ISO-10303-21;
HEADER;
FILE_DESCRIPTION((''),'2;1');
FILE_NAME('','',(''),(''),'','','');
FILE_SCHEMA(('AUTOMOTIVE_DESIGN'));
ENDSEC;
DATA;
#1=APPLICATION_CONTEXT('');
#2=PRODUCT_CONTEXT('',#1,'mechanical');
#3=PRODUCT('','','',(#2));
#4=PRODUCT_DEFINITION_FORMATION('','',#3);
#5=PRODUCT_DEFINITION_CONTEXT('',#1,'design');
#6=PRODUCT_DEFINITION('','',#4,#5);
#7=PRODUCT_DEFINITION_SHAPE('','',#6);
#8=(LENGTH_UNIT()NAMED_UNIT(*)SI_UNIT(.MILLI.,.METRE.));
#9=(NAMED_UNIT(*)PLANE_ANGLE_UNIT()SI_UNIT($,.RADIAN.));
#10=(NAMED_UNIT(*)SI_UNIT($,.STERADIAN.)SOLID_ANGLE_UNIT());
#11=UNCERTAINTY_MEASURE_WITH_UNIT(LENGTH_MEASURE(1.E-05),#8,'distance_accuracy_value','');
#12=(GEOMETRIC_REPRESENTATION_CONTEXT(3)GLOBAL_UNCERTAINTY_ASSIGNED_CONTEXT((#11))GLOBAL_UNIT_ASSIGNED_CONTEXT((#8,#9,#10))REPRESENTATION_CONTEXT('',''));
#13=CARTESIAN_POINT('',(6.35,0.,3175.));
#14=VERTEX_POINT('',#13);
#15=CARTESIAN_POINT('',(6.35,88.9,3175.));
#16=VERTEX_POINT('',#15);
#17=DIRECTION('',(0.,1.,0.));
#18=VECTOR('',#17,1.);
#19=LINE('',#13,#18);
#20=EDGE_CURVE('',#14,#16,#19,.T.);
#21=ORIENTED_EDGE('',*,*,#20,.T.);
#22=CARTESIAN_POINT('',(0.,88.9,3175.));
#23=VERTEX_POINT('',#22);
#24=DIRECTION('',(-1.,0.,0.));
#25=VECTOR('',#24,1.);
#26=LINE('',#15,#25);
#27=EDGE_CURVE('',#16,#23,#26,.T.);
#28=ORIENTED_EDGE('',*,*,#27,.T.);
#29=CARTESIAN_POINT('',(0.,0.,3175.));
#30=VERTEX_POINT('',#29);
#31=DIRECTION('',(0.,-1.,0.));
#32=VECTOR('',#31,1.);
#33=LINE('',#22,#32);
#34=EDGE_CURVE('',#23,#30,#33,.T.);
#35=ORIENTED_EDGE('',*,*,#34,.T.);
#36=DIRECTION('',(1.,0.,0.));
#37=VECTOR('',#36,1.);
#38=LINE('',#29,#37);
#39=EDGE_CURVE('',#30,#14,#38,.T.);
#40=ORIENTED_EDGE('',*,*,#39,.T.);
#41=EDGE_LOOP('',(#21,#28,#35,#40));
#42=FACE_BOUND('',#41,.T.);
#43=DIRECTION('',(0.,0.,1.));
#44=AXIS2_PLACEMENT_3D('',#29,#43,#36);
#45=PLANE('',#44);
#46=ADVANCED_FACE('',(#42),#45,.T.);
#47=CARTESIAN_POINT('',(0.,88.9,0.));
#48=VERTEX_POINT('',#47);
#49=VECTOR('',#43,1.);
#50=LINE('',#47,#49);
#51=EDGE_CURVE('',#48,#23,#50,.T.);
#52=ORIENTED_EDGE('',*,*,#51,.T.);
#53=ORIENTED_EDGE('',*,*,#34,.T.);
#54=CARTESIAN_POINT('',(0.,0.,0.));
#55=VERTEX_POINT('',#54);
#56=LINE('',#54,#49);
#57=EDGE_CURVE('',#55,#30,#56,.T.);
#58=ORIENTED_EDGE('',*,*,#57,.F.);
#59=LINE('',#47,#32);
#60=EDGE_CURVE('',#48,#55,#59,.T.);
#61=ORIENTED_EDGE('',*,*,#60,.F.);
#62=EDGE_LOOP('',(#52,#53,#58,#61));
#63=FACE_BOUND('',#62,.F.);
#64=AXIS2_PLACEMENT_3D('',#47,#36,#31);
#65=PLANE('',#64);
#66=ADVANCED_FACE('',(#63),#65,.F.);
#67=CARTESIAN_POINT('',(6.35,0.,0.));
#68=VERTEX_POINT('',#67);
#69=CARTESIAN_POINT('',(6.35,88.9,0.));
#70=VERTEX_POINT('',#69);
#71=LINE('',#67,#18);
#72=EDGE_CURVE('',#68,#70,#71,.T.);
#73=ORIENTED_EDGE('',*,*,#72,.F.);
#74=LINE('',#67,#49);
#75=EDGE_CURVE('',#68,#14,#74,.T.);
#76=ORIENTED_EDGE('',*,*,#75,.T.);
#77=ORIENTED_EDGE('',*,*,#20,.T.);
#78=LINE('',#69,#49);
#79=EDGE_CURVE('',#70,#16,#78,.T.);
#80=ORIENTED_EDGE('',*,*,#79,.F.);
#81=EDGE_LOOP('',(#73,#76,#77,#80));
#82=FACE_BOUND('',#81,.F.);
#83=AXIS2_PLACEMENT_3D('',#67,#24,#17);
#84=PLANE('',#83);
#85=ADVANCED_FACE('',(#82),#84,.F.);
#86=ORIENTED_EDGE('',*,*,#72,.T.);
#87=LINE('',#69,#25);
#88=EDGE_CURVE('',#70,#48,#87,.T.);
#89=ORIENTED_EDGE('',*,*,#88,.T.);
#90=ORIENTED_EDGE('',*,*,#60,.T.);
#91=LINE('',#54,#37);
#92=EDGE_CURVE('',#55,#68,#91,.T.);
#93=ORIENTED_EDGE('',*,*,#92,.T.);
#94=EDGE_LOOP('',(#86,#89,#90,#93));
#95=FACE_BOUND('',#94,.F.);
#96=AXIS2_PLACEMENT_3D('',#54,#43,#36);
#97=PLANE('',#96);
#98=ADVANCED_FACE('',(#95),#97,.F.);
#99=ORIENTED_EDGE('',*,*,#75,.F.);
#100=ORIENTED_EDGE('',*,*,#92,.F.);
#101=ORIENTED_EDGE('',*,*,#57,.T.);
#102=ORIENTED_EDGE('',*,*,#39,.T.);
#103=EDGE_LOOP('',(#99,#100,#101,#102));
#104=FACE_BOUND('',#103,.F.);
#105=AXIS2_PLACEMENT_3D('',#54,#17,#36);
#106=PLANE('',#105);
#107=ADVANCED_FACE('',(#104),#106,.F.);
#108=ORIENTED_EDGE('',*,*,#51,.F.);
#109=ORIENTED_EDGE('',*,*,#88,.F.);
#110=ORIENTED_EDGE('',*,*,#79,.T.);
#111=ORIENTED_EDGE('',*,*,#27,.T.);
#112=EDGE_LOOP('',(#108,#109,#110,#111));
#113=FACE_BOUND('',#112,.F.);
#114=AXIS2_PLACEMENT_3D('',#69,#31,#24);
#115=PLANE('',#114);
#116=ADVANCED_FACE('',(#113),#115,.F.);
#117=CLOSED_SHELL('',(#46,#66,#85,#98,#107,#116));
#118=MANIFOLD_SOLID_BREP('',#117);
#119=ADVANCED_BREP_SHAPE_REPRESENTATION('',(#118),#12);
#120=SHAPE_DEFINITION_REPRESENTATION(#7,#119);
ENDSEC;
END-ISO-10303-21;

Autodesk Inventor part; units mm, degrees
ref_plane "YZ Plane" through (0, 0, 0) normal (1, 0, 0) x (0, 1, 0)
ref_plane "XZ Plane" through (0, 0, 0) normal (0, 1, 0) x (-1, 0, 0)
ref_plane "XY Plane" through (0, 0, 0) normal (0, 0, 1) x (1, 0, 0)
sketch "Sketch1" plane through (0, 0, 0) normal (0, 0, 1) x (1, 0, 0)
  line L0 (0, 0) -> (6.35, 0)
  line L1 (6.35, 0) -> (6.35, 88.9)
  line L2 (6.35, 88.9) -> (0, 88.9)
  line L3 (0, 88.9) -> (0, 0)
  dimension "d0" = 6.35
  dimension "d1" = 88.9
extrude "Extrusion1" add sketch "Sketch1" along normal blind 3175
properties part number "Sill_Seal_With_Length_121_Inches" material "Polyethylene, Low Density"
